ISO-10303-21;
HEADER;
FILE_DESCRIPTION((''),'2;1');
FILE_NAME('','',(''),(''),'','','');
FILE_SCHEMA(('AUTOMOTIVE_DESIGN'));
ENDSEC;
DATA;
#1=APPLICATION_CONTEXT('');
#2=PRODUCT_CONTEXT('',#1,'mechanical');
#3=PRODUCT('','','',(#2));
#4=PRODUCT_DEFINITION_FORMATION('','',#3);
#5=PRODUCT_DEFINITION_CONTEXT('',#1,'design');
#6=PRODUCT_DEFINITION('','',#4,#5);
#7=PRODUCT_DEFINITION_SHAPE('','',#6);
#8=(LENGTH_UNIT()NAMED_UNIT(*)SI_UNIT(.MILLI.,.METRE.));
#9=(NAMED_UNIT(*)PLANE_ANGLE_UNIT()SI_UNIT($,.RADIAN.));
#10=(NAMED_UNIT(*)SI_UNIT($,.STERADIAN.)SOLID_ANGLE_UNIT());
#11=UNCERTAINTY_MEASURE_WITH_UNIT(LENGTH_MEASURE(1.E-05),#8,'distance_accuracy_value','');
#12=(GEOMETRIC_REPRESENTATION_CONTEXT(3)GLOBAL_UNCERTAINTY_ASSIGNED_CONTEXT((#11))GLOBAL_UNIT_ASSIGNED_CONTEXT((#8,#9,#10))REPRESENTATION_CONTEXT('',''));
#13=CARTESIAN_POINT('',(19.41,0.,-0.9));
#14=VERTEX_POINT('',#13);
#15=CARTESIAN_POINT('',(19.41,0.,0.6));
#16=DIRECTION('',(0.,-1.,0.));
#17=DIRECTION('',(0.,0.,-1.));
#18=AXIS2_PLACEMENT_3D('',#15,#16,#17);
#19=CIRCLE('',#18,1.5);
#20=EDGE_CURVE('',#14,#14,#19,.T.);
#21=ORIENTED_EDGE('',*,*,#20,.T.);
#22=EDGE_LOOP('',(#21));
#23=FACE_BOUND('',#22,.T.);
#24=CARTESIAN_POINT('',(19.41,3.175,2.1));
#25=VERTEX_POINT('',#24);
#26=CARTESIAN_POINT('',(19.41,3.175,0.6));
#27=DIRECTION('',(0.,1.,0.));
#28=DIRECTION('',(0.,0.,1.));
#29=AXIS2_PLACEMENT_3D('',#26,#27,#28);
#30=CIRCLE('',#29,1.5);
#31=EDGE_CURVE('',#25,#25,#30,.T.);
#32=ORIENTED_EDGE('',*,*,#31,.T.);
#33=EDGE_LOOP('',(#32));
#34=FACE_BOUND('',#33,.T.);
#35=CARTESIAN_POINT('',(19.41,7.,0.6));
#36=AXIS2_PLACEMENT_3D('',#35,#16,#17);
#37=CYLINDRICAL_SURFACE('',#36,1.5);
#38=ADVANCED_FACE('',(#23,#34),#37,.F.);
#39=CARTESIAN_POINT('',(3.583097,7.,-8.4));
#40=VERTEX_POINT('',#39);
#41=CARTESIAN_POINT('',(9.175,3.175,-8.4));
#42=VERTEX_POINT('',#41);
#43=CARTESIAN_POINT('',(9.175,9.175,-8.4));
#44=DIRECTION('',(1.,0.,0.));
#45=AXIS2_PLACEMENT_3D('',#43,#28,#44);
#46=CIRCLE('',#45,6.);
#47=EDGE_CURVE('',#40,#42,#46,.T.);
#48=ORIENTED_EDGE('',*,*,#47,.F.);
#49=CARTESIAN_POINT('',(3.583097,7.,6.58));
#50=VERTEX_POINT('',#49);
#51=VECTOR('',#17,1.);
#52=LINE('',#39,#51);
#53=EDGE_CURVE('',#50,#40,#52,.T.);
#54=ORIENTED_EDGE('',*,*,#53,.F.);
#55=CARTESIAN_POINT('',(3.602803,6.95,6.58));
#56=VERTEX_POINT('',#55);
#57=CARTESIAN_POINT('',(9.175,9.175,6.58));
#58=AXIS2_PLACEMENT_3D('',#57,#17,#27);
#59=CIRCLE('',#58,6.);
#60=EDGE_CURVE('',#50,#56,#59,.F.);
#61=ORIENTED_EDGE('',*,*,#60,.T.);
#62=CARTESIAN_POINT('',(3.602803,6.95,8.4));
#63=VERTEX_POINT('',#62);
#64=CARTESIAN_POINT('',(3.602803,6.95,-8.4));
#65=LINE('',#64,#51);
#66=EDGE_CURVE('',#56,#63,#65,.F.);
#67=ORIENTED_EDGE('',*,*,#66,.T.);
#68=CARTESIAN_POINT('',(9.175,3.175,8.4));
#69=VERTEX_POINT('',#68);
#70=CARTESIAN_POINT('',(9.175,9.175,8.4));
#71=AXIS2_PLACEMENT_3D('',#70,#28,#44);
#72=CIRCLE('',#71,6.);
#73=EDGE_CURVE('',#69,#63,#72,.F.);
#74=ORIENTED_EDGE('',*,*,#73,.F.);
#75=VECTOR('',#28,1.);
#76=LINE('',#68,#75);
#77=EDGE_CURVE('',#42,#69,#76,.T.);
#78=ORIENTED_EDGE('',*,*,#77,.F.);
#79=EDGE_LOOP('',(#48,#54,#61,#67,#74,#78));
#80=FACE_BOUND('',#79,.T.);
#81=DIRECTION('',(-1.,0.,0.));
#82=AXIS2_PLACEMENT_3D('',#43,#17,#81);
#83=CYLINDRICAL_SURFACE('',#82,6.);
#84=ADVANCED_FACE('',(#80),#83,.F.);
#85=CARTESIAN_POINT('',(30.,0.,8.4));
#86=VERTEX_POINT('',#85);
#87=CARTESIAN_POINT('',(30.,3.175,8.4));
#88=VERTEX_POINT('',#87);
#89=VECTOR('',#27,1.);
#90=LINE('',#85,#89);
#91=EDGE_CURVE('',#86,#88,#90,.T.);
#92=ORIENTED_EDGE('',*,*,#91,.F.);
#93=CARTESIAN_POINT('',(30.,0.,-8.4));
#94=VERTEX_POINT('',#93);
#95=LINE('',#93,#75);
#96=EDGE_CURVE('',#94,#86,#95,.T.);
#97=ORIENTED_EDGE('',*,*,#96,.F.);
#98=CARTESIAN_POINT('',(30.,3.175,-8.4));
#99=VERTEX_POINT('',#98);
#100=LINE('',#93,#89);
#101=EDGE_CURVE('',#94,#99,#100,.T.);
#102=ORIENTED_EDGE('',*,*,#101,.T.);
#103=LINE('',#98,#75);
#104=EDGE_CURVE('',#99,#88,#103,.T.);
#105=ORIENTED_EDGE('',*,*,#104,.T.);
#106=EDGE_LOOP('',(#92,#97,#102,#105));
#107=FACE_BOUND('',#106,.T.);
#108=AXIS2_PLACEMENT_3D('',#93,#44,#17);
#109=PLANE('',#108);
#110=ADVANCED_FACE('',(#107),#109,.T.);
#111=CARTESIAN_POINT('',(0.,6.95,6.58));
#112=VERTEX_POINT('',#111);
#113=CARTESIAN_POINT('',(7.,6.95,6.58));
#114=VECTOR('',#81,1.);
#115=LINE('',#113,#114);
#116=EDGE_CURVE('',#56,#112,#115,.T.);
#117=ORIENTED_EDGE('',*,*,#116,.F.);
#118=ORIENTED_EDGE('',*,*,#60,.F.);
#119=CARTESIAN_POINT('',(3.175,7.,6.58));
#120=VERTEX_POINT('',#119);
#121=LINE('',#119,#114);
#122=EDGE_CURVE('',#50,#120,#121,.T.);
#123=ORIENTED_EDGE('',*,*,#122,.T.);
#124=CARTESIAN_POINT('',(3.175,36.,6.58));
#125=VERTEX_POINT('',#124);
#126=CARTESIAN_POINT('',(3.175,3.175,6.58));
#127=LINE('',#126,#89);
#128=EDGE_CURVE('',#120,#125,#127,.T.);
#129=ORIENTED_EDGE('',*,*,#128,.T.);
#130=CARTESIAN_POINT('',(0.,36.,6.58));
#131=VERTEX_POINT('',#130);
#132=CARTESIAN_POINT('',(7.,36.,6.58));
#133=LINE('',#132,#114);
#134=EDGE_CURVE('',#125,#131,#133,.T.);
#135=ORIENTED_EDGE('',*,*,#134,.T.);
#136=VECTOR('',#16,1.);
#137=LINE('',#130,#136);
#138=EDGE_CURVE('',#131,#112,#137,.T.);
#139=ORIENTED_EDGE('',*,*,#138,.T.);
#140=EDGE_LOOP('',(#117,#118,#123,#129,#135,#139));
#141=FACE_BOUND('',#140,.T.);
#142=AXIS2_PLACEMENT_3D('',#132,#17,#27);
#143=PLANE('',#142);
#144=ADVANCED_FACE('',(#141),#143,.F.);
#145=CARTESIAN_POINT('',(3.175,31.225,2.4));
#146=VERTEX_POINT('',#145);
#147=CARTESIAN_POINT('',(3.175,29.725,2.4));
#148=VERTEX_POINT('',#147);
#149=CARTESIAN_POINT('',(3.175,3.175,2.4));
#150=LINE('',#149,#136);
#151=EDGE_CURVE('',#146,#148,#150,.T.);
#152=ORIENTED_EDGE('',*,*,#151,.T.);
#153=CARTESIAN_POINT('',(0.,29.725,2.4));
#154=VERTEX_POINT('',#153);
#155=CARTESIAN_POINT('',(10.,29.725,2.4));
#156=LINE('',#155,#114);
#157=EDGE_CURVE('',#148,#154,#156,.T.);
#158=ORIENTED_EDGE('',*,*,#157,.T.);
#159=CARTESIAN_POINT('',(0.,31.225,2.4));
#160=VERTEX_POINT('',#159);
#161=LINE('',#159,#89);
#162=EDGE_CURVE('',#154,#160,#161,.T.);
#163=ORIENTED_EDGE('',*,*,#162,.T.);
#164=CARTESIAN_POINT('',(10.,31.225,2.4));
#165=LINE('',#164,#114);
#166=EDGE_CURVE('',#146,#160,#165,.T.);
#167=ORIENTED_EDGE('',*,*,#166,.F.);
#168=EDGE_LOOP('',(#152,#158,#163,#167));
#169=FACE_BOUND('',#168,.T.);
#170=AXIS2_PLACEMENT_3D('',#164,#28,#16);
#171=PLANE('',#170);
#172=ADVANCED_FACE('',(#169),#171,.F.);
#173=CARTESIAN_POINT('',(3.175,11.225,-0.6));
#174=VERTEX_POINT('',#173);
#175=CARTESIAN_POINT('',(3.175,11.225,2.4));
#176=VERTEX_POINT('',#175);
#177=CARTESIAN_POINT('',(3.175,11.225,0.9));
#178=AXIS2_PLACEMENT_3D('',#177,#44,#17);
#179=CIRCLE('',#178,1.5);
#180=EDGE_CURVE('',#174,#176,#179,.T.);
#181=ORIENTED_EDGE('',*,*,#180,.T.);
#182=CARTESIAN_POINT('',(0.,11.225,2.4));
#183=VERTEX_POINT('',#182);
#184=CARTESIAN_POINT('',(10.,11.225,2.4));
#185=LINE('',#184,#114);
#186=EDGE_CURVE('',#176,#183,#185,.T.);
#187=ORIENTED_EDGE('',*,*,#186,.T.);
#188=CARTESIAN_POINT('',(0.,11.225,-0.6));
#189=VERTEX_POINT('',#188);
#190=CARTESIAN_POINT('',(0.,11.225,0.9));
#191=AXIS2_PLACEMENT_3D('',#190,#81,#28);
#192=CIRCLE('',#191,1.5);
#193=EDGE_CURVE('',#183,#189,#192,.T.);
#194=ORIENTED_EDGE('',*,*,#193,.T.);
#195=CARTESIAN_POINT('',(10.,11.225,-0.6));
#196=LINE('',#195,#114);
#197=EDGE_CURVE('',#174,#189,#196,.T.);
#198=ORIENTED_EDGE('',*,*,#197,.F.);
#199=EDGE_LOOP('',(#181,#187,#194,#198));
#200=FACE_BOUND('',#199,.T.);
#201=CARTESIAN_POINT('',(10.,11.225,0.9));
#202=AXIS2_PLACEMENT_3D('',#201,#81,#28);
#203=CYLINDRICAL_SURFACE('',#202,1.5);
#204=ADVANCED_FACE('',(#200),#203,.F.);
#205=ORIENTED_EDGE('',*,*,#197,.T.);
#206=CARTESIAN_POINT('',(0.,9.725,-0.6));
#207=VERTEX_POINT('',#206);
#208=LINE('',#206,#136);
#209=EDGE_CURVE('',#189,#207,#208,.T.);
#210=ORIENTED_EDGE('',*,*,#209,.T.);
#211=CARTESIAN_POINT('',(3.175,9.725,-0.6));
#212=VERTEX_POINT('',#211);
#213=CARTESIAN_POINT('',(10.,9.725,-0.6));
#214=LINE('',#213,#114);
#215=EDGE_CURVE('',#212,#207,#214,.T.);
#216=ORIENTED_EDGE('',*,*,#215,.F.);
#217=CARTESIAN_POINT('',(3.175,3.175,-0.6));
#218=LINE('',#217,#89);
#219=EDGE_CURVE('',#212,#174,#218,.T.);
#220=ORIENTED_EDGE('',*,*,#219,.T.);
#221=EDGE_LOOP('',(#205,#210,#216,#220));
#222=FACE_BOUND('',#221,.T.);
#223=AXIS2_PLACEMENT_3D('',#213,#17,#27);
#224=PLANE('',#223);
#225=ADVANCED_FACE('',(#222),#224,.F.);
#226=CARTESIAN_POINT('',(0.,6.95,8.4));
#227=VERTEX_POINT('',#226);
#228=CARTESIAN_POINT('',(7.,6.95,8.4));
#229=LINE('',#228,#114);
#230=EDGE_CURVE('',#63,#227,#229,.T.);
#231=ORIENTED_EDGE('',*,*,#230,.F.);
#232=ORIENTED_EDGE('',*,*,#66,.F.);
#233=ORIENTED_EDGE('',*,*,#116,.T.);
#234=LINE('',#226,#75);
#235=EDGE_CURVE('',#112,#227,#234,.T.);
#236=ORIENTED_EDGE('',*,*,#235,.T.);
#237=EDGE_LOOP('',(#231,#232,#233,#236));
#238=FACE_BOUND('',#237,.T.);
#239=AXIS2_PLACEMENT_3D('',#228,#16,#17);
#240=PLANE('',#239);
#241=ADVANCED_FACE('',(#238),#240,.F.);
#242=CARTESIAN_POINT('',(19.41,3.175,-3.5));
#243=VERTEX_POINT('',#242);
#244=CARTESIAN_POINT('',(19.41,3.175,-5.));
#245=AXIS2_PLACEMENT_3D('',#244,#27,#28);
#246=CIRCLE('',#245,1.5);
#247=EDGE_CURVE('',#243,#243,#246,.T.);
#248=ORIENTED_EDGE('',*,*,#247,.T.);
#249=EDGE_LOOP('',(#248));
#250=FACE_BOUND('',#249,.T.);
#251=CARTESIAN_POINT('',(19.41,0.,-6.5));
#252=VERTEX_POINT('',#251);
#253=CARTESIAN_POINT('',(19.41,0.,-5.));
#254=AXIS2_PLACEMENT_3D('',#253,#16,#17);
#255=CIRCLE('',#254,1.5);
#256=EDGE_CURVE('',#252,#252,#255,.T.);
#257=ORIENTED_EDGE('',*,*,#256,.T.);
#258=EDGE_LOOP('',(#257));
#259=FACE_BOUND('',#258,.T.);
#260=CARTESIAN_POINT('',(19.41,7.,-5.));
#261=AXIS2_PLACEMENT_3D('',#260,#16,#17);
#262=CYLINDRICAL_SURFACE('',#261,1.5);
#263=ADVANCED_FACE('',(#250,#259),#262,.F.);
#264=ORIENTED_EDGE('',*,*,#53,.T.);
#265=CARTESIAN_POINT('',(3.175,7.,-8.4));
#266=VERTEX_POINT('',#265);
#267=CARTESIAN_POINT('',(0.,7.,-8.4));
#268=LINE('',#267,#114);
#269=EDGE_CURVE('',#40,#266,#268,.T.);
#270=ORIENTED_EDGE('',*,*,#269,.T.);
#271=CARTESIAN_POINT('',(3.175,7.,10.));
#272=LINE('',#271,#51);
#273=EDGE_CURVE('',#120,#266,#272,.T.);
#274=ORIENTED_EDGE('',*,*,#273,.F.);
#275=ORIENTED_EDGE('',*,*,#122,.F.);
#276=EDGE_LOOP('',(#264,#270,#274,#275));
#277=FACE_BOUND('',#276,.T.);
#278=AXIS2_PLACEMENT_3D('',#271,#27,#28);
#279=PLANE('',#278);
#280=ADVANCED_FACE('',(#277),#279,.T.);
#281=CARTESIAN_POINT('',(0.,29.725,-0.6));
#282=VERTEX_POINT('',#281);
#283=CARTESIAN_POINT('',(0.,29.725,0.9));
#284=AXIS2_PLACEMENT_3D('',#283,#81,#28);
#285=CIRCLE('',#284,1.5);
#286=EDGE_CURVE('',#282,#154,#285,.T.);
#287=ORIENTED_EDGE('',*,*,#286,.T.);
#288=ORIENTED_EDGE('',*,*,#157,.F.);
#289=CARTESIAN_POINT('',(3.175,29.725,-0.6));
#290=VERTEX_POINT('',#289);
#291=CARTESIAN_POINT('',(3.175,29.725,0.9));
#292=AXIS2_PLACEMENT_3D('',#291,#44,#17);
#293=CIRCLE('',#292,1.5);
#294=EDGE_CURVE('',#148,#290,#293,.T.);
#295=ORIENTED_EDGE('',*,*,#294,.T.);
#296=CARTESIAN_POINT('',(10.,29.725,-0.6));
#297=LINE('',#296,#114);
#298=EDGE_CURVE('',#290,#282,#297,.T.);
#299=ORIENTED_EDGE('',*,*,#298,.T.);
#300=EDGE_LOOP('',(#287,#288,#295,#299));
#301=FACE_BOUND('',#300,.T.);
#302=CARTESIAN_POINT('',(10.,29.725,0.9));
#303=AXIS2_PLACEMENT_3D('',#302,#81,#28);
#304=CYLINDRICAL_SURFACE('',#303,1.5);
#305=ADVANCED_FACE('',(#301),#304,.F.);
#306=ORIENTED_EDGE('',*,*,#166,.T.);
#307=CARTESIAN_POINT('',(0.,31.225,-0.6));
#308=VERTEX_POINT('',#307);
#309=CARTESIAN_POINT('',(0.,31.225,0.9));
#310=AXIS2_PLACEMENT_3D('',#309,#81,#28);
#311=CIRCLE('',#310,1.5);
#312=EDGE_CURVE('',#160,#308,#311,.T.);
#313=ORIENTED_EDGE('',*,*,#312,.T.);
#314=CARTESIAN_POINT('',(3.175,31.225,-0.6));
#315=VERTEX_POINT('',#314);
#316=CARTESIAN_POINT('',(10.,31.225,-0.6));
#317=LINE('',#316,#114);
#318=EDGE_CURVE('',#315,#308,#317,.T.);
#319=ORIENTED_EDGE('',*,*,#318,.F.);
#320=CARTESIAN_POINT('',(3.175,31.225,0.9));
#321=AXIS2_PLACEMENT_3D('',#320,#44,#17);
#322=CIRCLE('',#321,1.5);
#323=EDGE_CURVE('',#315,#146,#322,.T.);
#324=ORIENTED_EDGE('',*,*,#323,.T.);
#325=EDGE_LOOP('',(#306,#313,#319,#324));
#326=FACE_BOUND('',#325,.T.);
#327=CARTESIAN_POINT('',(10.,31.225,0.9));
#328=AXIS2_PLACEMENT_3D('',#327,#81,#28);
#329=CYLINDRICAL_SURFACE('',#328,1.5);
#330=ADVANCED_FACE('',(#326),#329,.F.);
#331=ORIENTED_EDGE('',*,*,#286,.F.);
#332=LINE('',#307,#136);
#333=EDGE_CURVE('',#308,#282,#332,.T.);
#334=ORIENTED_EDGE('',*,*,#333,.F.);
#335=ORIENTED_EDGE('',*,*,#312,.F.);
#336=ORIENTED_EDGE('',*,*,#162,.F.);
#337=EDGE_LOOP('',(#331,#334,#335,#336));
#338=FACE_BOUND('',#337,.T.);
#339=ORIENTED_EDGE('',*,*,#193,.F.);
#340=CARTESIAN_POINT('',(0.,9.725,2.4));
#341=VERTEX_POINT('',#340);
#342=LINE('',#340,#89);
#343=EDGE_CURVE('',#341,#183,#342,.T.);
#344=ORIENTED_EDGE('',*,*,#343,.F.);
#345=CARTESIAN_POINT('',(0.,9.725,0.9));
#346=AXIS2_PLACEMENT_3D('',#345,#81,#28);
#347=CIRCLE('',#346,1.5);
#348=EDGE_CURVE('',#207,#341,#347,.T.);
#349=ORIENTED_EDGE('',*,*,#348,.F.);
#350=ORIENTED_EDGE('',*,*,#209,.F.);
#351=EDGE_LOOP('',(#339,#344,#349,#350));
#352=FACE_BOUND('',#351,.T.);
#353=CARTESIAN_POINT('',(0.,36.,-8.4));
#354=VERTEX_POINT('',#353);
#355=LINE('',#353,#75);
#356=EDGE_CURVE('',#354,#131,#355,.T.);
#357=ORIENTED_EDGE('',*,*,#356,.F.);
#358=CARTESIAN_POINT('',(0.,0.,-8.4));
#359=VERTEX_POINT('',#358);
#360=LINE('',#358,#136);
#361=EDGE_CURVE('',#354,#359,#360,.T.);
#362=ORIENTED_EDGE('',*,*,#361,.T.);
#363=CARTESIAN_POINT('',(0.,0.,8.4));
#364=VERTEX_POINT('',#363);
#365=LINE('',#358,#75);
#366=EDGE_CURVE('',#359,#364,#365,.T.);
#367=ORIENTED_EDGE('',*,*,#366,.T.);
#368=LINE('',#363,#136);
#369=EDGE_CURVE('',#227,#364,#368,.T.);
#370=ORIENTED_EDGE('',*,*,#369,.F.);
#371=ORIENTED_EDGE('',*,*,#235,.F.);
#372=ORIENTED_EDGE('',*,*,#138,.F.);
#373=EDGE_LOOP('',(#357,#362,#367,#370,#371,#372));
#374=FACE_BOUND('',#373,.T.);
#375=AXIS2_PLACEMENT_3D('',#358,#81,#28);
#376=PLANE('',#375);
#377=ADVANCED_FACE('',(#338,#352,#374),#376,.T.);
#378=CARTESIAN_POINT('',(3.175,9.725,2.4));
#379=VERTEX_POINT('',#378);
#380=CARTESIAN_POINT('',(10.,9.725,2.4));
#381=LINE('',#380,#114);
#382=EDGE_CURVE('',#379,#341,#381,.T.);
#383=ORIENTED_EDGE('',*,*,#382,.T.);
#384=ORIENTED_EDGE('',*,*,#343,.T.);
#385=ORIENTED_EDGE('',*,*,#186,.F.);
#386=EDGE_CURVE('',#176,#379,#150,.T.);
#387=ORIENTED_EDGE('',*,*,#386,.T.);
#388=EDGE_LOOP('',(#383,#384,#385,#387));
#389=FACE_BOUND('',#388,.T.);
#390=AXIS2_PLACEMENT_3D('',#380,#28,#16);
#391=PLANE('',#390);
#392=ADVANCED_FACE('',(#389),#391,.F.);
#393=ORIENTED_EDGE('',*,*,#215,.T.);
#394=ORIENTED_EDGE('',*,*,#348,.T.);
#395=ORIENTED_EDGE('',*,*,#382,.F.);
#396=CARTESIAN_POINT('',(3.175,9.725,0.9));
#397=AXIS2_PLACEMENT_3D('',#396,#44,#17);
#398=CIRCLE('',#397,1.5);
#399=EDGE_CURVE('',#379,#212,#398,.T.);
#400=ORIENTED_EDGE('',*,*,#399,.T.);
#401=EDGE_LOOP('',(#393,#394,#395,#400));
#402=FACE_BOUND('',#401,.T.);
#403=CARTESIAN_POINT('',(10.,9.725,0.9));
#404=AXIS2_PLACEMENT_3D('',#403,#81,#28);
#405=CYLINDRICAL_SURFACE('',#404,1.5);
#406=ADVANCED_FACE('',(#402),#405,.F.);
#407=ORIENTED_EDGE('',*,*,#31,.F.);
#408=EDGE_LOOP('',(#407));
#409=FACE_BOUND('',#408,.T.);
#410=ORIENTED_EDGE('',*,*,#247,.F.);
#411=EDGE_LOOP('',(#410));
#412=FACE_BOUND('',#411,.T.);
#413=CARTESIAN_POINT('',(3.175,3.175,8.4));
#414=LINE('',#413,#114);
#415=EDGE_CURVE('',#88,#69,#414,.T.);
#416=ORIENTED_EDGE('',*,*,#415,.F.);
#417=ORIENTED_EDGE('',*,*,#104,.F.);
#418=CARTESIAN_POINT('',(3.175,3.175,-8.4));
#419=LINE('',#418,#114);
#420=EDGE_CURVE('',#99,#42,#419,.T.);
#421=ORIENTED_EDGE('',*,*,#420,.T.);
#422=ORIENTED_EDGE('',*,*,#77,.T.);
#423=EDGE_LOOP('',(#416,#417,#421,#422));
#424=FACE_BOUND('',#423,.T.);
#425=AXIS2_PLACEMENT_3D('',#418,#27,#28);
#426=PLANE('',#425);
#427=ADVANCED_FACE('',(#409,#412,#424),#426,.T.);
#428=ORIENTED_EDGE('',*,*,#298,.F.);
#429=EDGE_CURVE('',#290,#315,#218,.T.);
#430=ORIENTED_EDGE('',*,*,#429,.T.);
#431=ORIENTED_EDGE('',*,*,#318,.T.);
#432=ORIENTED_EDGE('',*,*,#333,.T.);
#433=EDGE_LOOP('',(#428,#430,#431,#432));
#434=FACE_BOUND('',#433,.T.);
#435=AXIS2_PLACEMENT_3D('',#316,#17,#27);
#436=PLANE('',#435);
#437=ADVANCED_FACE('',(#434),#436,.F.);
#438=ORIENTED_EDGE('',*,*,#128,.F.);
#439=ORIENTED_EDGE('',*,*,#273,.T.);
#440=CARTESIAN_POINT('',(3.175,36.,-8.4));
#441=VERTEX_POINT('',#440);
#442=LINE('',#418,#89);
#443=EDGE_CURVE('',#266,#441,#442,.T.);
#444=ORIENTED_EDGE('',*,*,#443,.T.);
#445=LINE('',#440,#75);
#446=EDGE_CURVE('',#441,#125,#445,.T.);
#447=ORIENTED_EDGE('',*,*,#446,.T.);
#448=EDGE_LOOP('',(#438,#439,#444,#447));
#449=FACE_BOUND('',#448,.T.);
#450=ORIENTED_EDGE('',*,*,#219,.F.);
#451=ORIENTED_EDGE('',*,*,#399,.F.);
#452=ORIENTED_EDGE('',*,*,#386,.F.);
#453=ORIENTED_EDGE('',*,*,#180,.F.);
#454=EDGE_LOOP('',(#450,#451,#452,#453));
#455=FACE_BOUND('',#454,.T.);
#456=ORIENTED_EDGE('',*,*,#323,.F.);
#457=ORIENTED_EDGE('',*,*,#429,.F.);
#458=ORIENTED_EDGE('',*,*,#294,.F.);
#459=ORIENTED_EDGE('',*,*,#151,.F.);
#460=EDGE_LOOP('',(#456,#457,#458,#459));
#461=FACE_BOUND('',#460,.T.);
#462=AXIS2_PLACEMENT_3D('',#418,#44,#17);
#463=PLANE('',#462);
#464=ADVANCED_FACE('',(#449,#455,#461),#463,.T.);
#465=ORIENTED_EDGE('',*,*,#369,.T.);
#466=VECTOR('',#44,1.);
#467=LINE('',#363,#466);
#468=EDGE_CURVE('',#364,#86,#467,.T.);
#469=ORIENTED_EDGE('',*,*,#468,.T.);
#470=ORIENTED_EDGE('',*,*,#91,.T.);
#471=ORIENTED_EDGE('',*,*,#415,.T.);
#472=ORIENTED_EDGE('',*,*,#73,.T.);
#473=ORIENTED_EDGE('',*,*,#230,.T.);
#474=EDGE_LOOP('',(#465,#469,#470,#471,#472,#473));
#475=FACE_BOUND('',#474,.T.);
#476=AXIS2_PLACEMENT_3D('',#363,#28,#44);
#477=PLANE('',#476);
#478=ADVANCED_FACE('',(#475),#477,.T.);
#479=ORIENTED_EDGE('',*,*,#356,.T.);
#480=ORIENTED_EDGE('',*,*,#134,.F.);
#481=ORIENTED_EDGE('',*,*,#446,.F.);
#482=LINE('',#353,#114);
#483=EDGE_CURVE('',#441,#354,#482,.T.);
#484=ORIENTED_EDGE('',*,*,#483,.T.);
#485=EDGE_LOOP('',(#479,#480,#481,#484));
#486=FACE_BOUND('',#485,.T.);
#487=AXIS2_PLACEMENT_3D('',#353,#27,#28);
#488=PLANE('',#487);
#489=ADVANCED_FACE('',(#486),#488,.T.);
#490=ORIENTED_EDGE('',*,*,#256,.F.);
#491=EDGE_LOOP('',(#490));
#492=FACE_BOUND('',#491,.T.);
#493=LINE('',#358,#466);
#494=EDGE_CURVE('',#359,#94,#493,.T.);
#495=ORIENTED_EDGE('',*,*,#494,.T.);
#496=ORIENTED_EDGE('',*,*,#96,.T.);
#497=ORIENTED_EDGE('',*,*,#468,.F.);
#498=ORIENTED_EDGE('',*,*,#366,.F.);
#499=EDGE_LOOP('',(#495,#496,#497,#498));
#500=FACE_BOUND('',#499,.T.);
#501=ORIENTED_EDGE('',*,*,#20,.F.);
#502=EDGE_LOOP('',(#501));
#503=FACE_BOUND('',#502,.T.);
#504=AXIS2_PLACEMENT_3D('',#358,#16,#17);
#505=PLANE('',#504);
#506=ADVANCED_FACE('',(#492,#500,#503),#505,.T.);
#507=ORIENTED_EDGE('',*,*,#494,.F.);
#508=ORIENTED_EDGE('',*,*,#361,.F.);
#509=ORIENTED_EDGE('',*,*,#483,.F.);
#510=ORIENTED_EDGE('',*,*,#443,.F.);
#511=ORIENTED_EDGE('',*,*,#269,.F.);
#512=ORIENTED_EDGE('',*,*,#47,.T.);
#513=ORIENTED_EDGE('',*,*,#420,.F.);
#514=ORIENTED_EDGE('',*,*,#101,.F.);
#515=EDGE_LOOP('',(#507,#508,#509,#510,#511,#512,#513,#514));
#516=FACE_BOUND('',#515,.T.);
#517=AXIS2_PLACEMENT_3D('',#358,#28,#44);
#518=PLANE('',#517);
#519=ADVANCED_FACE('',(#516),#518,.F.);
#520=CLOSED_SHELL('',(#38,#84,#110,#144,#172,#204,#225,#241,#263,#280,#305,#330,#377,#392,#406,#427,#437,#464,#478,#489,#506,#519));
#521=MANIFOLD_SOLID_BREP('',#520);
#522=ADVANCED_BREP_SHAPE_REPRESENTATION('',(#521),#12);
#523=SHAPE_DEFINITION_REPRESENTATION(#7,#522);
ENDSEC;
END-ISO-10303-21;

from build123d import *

# Parameters (mm, degrees)
BOSS_EXTRUDE1_DEPTH      = 8.4
BOSS_EXTRUDE1_DEPTH_BACK = 8.4
FILLET1_R                = 6
CUT_EXTRUDE2_DEPTH       = 10
CUT_EXTRUDE1_DEPTH       = 10
CUT_EXTRUDE1_DEPTH_BACK  = 10
SKETCH3_W                = 1
SKETCH3_H                = 7.737404144
SKETCH5_R                = 1.5
CUT_EXTRUDE3_DEPTH       = 7
SKETCH6_W                = 1.82
SKETCH6_H                = 29.05
CUT_EXTRUDE4_DEPTH       = 7


with BuildPart() as part:
    # Sketch1 → Boss-Extrude1 (new, two sides: drawn at the far end of the back side and taken through both)
    with BuildSketch(Plane.XY.offset(-BOSS_EXTRUDE1_DEPTH_BACK)):
        Polygon((0, 0), (0, 36), (3.175, 36), (3.175, 3.175), (30, 3.175), (30, 0), align=None)
    extrude(amount=BOSS_EXTRUDE1_DEPTH + BOSS_EXTRUDE1_DEPTH_BACK)

    # Fillet1
    fillet1_edges = [part.edges().sort_by_distance(p)[0] for p in [
        (3.175, 3.175, 0),
    ]]
    fillet(fillet1_edges, radius=FILLET1_R)

    # Sketch4 → Cut-Extrude2 (cut)
    with BuildSketch(Plane.ZY):
        with BuildLine():
            Line((2.4, 31.225), (2.4, 29.725))
            ThreePointArc((2.4, 29.725), (0.9, 28.225), (-0.6, 29.725))
            Line((-0.6, 29.725), (-0.6, 31.225))
            ThreePointArc((-0.6, 31.225), (0.9, 32.725), (2.4, 31.225))
        make_face()
        with BuildLine():
            Line((-0.6, 9.725), (-0.6, 11.225))
            ThreePointArc((-0.6, 11.225), (0.9, 12.725), (2.4, 11.225))
            Line((2.4, 11.225), (2.4, 9.725))
            ThreePointArc((2.4, 9.725), (0.9, 8.225), (-0.6, 9.725))
        make_face()
    extrude(amount=-CUT_EXTRUDE2_DEPTH, mode=Mode.SUBTRACT)

    # Sketch3 → Cut-Extrude1 (cut, two sides: drawn at the far end of the back side and taken through both)
    with BuildSketch(Plane.XY.offset(-CUT_EXTRUDE1_DEPTH_BACK)):
        with Locations((3.675, 10.868702072)):
            Rectangle(SKETCH3_W, SKETCH3_H)
    extrude(amount=CUT_EXTRUDE1_DEPTH + CUT_EXTRUDE1_DEPTH_BACK, mode=Mode.SUBTRACT)

    # Sketch5 → Cut-Extrude3 (cut)
    with BuildSketch(Plane.XZ):
        with Locations((19.41, 0.6)):
            Circle(SKETCH5_R)
        with Locations((19.41, -5)):
            Circle(SKETCH5_R)
    extrude(amount=-CUT_EXTRUDE3_DEPTH, mode=Mode.SUBTRACT)

    # Sketch6 → Cut-Extrude4 (cut)
    with BuildSketch(Plane.ZY):
        with Locations((7.49, 21.475)):
            Rectangle(SKETCH6_W, SKETCH6_H)
    extrude(amount=-CUT_EXTRUDE4_DEPTH, mode=Mode.SUBTRACT)


solid = part.part
